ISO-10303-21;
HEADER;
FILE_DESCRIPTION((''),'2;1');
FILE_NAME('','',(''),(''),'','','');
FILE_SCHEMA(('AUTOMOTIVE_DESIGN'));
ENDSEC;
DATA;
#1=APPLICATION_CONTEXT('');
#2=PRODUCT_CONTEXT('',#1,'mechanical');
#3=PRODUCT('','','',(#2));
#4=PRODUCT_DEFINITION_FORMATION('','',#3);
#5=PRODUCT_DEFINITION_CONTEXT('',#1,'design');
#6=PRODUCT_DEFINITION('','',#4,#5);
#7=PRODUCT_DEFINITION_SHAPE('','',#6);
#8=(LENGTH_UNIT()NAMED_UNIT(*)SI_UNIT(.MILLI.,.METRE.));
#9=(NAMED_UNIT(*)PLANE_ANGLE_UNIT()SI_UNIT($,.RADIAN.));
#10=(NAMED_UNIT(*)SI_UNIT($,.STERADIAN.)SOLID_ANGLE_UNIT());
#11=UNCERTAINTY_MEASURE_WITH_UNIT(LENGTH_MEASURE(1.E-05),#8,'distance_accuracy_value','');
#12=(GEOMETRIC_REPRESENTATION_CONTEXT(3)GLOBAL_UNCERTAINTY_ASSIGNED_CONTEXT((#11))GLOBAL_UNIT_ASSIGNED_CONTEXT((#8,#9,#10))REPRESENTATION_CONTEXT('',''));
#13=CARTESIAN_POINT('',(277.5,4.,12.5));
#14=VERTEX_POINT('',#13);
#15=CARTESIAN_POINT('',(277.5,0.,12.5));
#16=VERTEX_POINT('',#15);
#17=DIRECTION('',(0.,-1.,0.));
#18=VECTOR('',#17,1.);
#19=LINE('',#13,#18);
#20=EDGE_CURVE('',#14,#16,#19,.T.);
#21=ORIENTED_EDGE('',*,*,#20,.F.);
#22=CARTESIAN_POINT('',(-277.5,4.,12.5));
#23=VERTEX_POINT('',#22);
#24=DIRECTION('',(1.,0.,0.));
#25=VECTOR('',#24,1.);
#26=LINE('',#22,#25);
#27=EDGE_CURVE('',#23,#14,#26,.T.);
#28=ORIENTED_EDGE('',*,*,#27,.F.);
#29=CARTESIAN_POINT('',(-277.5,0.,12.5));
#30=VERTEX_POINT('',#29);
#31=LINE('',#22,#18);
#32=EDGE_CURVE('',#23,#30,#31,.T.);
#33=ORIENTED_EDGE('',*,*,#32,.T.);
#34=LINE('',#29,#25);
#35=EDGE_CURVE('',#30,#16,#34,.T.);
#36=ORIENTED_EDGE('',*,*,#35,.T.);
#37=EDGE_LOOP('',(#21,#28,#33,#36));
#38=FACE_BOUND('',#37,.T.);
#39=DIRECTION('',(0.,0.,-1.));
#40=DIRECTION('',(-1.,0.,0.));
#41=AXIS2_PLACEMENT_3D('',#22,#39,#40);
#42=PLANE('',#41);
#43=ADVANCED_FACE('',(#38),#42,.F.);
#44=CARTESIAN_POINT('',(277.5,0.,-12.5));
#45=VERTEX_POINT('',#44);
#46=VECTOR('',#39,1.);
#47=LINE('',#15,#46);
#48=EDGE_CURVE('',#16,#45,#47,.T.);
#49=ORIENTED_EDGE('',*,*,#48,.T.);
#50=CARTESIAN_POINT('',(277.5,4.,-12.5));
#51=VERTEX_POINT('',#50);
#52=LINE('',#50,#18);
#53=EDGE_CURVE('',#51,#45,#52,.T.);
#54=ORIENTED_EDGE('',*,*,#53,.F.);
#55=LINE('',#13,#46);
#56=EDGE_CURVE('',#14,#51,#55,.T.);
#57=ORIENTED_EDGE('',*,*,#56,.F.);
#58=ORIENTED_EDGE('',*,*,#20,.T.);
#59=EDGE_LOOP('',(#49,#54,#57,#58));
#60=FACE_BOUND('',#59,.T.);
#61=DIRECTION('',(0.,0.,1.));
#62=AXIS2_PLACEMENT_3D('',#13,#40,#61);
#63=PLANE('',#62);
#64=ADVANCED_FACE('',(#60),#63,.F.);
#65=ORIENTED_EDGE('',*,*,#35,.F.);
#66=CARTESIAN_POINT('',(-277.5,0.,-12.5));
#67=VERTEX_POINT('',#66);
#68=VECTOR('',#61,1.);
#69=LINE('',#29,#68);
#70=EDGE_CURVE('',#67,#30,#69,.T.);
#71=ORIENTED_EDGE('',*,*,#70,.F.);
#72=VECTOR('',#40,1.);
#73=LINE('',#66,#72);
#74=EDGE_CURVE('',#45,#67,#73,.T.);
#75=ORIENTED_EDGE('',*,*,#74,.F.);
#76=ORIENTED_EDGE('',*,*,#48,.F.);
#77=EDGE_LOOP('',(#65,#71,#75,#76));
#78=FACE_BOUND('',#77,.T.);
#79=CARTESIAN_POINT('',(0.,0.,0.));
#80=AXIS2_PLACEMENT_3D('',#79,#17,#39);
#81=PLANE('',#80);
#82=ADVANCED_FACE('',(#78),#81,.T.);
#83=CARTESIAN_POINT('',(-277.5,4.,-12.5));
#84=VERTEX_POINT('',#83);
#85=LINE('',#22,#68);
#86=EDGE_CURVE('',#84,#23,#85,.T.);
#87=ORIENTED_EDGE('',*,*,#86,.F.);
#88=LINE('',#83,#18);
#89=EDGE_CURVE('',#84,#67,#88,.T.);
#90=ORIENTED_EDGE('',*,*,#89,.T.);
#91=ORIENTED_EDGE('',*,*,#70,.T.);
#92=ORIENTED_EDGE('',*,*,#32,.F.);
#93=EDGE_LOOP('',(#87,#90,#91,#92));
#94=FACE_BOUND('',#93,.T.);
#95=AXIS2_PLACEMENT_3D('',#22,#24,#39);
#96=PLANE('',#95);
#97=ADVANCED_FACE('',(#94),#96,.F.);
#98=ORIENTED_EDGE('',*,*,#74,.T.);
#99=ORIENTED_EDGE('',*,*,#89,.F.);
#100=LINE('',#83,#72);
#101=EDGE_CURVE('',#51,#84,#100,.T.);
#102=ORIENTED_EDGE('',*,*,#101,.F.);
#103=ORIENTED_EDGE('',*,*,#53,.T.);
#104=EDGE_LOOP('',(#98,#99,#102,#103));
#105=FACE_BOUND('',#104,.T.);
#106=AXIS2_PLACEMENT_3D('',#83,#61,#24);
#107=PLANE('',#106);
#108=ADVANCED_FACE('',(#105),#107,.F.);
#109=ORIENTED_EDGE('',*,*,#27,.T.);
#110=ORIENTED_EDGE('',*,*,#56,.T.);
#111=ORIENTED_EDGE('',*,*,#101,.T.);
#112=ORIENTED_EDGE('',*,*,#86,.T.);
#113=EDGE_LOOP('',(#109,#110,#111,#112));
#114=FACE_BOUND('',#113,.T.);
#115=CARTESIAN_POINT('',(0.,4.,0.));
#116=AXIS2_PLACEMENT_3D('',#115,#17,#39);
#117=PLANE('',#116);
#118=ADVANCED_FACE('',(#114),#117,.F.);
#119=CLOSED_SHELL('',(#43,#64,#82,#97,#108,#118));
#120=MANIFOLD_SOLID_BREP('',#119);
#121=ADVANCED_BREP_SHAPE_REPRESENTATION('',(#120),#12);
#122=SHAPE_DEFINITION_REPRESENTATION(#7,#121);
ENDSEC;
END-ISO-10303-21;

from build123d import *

# Parameters (mm, degrees)
SKETCH_1_W      = 555
SKETCH_1_H      = 25
EXTRUDE_1_DEPTH = 4


with BuildPart() as part:
    # 草图1 → 凸台-拉伸1 (new body)
    with BuildSketch(Plane(origin=(0, 0, 0), x_dir=(1, 0, 0), z_dir=(0, 1, 0))):
        Rectangle(SKETCH_1_W, SKETCH_1_H)
    extrude(amount=EXTRUDE_1_DEPTH)


solid = part.part
